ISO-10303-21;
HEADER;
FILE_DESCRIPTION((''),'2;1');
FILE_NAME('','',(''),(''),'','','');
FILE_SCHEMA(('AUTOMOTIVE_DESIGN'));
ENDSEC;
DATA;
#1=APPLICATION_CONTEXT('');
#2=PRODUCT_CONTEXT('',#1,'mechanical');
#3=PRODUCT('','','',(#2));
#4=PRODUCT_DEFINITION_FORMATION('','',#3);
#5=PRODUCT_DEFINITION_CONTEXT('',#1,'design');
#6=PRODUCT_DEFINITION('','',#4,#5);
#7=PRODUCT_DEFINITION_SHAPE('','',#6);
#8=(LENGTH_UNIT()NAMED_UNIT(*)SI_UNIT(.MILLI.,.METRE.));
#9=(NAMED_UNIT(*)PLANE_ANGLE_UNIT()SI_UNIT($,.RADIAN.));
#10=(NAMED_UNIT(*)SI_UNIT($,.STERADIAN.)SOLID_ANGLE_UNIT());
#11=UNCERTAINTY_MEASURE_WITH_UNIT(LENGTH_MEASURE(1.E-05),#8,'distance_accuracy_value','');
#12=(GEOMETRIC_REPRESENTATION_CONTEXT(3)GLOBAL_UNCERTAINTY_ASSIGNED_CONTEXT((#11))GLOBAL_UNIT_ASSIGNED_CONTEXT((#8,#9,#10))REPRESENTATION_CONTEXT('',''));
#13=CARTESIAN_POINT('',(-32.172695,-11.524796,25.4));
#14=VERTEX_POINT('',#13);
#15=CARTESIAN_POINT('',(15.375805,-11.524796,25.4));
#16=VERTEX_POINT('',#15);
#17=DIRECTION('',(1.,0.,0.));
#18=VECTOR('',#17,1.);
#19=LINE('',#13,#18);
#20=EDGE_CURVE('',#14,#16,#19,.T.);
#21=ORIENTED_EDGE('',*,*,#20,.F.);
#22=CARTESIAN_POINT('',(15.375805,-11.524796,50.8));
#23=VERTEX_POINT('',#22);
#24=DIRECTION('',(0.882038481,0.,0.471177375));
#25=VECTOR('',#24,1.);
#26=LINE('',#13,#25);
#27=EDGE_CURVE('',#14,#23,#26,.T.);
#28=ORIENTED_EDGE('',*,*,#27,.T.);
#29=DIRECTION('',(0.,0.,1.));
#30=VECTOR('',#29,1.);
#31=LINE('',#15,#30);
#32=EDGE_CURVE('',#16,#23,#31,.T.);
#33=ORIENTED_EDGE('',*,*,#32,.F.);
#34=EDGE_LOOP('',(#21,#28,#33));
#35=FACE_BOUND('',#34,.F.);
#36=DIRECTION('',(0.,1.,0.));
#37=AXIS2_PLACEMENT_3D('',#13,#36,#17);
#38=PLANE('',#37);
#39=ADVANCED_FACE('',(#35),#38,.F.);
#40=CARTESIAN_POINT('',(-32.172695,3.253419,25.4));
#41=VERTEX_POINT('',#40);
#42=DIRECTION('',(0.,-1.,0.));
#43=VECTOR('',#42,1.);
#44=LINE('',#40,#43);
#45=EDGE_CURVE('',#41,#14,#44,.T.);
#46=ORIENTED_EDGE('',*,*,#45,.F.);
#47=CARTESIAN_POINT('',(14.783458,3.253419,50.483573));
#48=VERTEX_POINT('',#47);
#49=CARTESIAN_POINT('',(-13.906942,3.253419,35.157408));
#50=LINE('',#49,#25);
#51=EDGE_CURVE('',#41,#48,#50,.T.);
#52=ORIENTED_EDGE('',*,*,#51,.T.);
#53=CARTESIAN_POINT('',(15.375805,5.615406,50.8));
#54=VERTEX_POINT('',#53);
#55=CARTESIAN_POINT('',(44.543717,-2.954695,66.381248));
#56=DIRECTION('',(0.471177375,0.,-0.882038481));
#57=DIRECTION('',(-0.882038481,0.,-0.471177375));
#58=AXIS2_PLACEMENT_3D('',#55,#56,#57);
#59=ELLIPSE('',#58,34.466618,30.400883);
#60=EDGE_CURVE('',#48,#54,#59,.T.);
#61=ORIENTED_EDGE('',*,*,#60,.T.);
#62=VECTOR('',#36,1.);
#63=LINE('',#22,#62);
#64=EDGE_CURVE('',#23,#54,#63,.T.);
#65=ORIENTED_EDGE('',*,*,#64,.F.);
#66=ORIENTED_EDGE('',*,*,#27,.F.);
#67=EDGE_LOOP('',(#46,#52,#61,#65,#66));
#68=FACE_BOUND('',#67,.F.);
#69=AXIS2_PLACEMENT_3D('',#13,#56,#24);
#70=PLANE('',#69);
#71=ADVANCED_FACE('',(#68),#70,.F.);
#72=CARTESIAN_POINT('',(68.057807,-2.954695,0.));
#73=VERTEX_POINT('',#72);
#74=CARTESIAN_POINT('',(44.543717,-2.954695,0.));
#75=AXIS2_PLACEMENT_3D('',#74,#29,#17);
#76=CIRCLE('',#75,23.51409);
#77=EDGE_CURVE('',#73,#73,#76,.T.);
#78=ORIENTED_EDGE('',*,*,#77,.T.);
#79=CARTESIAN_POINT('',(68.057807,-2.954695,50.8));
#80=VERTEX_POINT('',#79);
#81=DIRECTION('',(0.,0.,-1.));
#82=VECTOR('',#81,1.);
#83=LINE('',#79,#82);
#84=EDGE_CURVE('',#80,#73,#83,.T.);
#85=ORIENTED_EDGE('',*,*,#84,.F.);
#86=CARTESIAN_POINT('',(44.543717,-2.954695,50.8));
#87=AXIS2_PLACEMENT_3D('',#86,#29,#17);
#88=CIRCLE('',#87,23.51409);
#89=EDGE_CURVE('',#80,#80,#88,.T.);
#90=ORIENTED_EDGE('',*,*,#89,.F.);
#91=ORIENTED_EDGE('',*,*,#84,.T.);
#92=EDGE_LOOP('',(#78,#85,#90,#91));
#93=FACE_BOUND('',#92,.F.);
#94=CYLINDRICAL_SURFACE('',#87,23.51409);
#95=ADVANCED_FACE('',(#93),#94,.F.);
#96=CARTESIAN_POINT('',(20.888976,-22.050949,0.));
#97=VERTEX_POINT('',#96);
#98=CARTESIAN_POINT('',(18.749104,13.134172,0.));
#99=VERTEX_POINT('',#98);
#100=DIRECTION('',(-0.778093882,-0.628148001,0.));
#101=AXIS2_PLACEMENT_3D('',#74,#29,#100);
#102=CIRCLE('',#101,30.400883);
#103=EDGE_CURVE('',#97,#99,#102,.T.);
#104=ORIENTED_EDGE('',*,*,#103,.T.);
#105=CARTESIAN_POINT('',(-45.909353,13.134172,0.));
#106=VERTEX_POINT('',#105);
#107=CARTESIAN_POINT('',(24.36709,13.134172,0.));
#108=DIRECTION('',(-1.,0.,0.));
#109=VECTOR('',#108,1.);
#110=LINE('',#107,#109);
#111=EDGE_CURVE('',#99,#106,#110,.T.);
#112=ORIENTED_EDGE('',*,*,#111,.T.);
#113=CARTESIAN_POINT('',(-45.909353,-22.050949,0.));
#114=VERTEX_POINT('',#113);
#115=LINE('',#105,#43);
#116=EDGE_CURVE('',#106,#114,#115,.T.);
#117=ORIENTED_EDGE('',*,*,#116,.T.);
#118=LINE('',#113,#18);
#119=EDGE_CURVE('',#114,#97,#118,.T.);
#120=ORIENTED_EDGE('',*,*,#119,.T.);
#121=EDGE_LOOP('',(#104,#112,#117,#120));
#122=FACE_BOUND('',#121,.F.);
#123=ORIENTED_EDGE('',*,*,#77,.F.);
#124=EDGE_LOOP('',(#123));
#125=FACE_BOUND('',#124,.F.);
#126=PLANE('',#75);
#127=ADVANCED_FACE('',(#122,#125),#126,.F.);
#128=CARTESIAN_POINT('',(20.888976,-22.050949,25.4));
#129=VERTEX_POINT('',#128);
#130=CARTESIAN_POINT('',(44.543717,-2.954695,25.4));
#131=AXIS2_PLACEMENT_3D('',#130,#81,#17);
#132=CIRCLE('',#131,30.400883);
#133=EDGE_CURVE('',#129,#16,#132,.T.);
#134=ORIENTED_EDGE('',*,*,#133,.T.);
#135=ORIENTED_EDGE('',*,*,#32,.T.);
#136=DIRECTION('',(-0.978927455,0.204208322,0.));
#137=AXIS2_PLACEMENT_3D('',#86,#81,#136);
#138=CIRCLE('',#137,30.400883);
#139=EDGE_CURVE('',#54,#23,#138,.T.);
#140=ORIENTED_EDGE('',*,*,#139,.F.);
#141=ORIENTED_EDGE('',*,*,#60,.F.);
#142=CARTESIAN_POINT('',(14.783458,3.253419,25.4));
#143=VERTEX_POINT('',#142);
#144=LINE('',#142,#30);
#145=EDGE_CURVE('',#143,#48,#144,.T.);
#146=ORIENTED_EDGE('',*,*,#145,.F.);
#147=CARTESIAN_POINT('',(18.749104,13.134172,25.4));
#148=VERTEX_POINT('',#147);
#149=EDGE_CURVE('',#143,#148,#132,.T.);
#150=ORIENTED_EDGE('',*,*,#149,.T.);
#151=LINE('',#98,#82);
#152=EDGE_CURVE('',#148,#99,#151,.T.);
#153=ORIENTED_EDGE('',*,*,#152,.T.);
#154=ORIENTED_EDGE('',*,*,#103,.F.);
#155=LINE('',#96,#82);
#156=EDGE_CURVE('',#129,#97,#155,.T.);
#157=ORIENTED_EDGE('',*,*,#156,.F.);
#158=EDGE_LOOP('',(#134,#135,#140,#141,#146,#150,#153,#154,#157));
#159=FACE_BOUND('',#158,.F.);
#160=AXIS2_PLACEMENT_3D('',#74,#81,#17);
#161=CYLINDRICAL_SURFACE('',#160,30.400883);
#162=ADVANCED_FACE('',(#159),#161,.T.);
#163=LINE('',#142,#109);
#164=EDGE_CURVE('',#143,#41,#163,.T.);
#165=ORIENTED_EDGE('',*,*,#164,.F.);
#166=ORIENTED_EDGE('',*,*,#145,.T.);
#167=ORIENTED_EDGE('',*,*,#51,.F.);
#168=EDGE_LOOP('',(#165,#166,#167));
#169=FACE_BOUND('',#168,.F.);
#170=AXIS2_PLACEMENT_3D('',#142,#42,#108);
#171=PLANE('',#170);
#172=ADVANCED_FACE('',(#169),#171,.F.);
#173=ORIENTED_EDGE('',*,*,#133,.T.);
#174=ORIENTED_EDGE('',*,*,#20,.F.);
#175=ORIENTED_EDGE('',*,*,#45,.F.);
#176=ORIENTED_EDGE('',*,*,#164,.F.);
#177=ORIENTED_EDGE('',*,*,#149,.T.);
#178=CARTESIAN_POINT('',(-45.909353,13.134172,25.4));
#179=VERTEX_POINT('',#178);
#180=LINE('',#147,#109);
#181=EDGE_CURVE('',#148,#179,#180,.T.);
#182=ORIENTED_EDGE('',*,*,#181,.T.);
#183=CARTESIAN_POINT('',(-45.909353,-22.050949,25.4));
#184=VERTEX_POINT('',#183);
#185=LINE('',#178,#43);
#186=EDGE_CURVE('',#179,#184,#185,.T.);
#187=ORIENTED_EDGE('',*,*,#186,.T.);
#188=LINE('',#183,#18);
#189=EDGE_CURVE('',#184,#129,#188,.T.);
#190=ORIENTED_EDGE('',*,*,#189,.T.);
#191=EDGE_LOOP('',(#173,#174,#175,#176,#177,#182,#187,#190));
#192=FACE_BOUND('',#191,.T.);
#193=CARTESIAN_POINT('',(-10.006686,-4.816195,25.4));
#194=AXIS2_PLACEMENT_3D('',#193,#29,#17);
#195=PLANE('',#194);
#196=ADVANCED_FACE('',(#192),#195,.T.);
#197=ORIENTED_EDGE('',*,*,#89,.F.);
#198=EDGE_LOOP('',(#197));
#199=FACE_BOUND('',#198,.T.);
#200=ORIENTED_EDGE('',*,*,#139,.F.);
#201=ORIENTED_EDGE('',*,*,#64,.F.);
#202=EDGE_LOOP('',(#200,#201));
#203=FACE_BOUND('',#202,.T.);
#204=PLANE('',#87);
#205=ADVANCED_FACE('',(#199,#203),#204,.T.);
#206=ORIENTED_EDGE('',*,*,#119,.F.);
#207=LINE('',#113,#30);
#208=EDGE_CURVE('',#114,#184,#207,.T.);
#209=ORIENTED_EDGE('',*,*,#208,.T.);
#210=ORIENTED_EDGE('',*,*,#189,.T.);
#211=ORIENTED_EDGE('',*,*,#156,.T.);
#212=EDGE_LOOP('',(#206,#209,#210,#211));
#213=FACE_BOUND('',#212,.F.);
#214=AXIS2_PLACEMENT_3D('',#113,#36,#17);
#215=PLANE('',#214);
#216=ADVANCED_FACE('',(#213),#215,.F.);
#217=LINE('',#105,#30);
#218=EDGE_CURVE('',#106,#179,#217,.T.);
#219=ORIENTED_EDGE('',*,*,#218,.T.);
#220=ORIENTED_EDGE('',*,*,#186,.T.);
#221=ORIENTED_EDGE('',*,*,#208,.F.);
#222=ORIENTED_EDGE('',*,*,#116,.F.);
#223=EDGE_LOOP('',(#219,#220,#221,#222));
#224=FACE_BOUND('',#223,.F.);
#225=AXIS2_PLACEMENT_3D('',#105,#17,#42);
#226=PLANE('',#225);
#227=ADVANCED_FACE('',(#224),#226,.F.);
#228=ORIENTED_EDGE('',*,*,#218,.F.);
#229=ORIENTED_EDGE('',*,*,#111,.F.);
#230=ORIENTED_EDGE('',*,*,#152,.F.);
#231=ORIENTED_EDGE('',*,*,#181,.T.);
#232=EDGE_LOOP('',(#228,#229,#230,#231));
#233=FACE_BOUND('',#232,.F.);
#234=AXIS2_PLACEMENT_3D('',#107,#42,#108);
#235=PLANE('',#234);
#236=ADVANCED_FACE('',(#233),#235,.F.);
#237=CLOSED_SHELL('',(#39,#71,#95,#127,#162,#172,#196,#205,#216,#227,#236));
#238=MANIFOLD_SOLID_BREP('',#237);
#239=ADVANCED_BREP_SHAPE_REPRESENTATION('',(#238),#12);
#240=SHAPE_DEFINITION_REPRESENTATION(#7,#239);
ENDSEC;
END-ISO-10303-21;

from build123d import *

# Parameters (mm, degrees)
F1_DEPTH = 25.4
F2_R     = 30.4008834271
F3_DEPTH = 50.8
F4_R     = 23.5140896475
F5_DEPTH = 1676.4
F7_DEPTH = 25.4
F9_DEPTH = 2514.6


with BuildPart() as f1:
    # F0 (on Top) → F1 (new body)
    with BuildSketch(Plane.XY):
        with BuildLine():
            Line((24.3670896719, 13.1341721863), (-45.9093526006, 13.1341721863))
            Line((-45.9093526006, 13.1341721863), (-45.9093526006, -22.0509488136))
            Line((-45.9093526006, -22.0509488136), (27.5870569542, -22.0509488136))
            ThreePointArc((27.5870569542, -22.0509488136), (16.0056375447, -5.3709245227), (24.3670896719, 13.1341721863))
        make_face()
    extrude(amount=F1_DEPTH)

    # F2 (on Top) → F3 (join)
    with BuildSketch(Plane.XY):
        with Locations((44.5437170565, -2.9546946753)):
            Circle(F2_R)
    extrude(amount=F3_DEPTH)

    # F4 (on face) → F5 (cut)
    with BuildSketch(Plane.XY.offset(50.8)):
        with Locations((44.5437170565, -2.9546946753)):
            Circle(F4_R)
    extrude(amount=-F5_DEPTH, mode=Mode.SUBTRACT)

    # F6 (on face) → F7 (join)
    with BuildSketch(Plane.XY.offset(25.4)):
        with BuildLine():
            Line((14.7834576284, 3.2534187194), (-32.1726948023, 3.2534187194))
            Line((-32.1726948023, 3.2534187194), (-32.1726948023, -11.5247956985))
            Line((-32.1726948023, -11.5247956985), (15.375805208, -11.5247956985))
            ThreePointArc((15.375805208, -11.5247956985), (14.167225359, -4.1722599931), (14.7834576284, 3.2534187194))
        make_face()
    extrude(amount=F7_DEPTH)

    # F8 (on face) → F9 (cut)
    with BuildSketch(Plane.XZ.offset(11.5247956985)):
        Polygon((-32.1726948023, 50.8), (-32.1726948023, 25.4), (15.375805208, 50.8), align=None)
    extrude(amount=-F9_DEPTH, mode=Mode.SUBTRACT)


solid = f1.part
